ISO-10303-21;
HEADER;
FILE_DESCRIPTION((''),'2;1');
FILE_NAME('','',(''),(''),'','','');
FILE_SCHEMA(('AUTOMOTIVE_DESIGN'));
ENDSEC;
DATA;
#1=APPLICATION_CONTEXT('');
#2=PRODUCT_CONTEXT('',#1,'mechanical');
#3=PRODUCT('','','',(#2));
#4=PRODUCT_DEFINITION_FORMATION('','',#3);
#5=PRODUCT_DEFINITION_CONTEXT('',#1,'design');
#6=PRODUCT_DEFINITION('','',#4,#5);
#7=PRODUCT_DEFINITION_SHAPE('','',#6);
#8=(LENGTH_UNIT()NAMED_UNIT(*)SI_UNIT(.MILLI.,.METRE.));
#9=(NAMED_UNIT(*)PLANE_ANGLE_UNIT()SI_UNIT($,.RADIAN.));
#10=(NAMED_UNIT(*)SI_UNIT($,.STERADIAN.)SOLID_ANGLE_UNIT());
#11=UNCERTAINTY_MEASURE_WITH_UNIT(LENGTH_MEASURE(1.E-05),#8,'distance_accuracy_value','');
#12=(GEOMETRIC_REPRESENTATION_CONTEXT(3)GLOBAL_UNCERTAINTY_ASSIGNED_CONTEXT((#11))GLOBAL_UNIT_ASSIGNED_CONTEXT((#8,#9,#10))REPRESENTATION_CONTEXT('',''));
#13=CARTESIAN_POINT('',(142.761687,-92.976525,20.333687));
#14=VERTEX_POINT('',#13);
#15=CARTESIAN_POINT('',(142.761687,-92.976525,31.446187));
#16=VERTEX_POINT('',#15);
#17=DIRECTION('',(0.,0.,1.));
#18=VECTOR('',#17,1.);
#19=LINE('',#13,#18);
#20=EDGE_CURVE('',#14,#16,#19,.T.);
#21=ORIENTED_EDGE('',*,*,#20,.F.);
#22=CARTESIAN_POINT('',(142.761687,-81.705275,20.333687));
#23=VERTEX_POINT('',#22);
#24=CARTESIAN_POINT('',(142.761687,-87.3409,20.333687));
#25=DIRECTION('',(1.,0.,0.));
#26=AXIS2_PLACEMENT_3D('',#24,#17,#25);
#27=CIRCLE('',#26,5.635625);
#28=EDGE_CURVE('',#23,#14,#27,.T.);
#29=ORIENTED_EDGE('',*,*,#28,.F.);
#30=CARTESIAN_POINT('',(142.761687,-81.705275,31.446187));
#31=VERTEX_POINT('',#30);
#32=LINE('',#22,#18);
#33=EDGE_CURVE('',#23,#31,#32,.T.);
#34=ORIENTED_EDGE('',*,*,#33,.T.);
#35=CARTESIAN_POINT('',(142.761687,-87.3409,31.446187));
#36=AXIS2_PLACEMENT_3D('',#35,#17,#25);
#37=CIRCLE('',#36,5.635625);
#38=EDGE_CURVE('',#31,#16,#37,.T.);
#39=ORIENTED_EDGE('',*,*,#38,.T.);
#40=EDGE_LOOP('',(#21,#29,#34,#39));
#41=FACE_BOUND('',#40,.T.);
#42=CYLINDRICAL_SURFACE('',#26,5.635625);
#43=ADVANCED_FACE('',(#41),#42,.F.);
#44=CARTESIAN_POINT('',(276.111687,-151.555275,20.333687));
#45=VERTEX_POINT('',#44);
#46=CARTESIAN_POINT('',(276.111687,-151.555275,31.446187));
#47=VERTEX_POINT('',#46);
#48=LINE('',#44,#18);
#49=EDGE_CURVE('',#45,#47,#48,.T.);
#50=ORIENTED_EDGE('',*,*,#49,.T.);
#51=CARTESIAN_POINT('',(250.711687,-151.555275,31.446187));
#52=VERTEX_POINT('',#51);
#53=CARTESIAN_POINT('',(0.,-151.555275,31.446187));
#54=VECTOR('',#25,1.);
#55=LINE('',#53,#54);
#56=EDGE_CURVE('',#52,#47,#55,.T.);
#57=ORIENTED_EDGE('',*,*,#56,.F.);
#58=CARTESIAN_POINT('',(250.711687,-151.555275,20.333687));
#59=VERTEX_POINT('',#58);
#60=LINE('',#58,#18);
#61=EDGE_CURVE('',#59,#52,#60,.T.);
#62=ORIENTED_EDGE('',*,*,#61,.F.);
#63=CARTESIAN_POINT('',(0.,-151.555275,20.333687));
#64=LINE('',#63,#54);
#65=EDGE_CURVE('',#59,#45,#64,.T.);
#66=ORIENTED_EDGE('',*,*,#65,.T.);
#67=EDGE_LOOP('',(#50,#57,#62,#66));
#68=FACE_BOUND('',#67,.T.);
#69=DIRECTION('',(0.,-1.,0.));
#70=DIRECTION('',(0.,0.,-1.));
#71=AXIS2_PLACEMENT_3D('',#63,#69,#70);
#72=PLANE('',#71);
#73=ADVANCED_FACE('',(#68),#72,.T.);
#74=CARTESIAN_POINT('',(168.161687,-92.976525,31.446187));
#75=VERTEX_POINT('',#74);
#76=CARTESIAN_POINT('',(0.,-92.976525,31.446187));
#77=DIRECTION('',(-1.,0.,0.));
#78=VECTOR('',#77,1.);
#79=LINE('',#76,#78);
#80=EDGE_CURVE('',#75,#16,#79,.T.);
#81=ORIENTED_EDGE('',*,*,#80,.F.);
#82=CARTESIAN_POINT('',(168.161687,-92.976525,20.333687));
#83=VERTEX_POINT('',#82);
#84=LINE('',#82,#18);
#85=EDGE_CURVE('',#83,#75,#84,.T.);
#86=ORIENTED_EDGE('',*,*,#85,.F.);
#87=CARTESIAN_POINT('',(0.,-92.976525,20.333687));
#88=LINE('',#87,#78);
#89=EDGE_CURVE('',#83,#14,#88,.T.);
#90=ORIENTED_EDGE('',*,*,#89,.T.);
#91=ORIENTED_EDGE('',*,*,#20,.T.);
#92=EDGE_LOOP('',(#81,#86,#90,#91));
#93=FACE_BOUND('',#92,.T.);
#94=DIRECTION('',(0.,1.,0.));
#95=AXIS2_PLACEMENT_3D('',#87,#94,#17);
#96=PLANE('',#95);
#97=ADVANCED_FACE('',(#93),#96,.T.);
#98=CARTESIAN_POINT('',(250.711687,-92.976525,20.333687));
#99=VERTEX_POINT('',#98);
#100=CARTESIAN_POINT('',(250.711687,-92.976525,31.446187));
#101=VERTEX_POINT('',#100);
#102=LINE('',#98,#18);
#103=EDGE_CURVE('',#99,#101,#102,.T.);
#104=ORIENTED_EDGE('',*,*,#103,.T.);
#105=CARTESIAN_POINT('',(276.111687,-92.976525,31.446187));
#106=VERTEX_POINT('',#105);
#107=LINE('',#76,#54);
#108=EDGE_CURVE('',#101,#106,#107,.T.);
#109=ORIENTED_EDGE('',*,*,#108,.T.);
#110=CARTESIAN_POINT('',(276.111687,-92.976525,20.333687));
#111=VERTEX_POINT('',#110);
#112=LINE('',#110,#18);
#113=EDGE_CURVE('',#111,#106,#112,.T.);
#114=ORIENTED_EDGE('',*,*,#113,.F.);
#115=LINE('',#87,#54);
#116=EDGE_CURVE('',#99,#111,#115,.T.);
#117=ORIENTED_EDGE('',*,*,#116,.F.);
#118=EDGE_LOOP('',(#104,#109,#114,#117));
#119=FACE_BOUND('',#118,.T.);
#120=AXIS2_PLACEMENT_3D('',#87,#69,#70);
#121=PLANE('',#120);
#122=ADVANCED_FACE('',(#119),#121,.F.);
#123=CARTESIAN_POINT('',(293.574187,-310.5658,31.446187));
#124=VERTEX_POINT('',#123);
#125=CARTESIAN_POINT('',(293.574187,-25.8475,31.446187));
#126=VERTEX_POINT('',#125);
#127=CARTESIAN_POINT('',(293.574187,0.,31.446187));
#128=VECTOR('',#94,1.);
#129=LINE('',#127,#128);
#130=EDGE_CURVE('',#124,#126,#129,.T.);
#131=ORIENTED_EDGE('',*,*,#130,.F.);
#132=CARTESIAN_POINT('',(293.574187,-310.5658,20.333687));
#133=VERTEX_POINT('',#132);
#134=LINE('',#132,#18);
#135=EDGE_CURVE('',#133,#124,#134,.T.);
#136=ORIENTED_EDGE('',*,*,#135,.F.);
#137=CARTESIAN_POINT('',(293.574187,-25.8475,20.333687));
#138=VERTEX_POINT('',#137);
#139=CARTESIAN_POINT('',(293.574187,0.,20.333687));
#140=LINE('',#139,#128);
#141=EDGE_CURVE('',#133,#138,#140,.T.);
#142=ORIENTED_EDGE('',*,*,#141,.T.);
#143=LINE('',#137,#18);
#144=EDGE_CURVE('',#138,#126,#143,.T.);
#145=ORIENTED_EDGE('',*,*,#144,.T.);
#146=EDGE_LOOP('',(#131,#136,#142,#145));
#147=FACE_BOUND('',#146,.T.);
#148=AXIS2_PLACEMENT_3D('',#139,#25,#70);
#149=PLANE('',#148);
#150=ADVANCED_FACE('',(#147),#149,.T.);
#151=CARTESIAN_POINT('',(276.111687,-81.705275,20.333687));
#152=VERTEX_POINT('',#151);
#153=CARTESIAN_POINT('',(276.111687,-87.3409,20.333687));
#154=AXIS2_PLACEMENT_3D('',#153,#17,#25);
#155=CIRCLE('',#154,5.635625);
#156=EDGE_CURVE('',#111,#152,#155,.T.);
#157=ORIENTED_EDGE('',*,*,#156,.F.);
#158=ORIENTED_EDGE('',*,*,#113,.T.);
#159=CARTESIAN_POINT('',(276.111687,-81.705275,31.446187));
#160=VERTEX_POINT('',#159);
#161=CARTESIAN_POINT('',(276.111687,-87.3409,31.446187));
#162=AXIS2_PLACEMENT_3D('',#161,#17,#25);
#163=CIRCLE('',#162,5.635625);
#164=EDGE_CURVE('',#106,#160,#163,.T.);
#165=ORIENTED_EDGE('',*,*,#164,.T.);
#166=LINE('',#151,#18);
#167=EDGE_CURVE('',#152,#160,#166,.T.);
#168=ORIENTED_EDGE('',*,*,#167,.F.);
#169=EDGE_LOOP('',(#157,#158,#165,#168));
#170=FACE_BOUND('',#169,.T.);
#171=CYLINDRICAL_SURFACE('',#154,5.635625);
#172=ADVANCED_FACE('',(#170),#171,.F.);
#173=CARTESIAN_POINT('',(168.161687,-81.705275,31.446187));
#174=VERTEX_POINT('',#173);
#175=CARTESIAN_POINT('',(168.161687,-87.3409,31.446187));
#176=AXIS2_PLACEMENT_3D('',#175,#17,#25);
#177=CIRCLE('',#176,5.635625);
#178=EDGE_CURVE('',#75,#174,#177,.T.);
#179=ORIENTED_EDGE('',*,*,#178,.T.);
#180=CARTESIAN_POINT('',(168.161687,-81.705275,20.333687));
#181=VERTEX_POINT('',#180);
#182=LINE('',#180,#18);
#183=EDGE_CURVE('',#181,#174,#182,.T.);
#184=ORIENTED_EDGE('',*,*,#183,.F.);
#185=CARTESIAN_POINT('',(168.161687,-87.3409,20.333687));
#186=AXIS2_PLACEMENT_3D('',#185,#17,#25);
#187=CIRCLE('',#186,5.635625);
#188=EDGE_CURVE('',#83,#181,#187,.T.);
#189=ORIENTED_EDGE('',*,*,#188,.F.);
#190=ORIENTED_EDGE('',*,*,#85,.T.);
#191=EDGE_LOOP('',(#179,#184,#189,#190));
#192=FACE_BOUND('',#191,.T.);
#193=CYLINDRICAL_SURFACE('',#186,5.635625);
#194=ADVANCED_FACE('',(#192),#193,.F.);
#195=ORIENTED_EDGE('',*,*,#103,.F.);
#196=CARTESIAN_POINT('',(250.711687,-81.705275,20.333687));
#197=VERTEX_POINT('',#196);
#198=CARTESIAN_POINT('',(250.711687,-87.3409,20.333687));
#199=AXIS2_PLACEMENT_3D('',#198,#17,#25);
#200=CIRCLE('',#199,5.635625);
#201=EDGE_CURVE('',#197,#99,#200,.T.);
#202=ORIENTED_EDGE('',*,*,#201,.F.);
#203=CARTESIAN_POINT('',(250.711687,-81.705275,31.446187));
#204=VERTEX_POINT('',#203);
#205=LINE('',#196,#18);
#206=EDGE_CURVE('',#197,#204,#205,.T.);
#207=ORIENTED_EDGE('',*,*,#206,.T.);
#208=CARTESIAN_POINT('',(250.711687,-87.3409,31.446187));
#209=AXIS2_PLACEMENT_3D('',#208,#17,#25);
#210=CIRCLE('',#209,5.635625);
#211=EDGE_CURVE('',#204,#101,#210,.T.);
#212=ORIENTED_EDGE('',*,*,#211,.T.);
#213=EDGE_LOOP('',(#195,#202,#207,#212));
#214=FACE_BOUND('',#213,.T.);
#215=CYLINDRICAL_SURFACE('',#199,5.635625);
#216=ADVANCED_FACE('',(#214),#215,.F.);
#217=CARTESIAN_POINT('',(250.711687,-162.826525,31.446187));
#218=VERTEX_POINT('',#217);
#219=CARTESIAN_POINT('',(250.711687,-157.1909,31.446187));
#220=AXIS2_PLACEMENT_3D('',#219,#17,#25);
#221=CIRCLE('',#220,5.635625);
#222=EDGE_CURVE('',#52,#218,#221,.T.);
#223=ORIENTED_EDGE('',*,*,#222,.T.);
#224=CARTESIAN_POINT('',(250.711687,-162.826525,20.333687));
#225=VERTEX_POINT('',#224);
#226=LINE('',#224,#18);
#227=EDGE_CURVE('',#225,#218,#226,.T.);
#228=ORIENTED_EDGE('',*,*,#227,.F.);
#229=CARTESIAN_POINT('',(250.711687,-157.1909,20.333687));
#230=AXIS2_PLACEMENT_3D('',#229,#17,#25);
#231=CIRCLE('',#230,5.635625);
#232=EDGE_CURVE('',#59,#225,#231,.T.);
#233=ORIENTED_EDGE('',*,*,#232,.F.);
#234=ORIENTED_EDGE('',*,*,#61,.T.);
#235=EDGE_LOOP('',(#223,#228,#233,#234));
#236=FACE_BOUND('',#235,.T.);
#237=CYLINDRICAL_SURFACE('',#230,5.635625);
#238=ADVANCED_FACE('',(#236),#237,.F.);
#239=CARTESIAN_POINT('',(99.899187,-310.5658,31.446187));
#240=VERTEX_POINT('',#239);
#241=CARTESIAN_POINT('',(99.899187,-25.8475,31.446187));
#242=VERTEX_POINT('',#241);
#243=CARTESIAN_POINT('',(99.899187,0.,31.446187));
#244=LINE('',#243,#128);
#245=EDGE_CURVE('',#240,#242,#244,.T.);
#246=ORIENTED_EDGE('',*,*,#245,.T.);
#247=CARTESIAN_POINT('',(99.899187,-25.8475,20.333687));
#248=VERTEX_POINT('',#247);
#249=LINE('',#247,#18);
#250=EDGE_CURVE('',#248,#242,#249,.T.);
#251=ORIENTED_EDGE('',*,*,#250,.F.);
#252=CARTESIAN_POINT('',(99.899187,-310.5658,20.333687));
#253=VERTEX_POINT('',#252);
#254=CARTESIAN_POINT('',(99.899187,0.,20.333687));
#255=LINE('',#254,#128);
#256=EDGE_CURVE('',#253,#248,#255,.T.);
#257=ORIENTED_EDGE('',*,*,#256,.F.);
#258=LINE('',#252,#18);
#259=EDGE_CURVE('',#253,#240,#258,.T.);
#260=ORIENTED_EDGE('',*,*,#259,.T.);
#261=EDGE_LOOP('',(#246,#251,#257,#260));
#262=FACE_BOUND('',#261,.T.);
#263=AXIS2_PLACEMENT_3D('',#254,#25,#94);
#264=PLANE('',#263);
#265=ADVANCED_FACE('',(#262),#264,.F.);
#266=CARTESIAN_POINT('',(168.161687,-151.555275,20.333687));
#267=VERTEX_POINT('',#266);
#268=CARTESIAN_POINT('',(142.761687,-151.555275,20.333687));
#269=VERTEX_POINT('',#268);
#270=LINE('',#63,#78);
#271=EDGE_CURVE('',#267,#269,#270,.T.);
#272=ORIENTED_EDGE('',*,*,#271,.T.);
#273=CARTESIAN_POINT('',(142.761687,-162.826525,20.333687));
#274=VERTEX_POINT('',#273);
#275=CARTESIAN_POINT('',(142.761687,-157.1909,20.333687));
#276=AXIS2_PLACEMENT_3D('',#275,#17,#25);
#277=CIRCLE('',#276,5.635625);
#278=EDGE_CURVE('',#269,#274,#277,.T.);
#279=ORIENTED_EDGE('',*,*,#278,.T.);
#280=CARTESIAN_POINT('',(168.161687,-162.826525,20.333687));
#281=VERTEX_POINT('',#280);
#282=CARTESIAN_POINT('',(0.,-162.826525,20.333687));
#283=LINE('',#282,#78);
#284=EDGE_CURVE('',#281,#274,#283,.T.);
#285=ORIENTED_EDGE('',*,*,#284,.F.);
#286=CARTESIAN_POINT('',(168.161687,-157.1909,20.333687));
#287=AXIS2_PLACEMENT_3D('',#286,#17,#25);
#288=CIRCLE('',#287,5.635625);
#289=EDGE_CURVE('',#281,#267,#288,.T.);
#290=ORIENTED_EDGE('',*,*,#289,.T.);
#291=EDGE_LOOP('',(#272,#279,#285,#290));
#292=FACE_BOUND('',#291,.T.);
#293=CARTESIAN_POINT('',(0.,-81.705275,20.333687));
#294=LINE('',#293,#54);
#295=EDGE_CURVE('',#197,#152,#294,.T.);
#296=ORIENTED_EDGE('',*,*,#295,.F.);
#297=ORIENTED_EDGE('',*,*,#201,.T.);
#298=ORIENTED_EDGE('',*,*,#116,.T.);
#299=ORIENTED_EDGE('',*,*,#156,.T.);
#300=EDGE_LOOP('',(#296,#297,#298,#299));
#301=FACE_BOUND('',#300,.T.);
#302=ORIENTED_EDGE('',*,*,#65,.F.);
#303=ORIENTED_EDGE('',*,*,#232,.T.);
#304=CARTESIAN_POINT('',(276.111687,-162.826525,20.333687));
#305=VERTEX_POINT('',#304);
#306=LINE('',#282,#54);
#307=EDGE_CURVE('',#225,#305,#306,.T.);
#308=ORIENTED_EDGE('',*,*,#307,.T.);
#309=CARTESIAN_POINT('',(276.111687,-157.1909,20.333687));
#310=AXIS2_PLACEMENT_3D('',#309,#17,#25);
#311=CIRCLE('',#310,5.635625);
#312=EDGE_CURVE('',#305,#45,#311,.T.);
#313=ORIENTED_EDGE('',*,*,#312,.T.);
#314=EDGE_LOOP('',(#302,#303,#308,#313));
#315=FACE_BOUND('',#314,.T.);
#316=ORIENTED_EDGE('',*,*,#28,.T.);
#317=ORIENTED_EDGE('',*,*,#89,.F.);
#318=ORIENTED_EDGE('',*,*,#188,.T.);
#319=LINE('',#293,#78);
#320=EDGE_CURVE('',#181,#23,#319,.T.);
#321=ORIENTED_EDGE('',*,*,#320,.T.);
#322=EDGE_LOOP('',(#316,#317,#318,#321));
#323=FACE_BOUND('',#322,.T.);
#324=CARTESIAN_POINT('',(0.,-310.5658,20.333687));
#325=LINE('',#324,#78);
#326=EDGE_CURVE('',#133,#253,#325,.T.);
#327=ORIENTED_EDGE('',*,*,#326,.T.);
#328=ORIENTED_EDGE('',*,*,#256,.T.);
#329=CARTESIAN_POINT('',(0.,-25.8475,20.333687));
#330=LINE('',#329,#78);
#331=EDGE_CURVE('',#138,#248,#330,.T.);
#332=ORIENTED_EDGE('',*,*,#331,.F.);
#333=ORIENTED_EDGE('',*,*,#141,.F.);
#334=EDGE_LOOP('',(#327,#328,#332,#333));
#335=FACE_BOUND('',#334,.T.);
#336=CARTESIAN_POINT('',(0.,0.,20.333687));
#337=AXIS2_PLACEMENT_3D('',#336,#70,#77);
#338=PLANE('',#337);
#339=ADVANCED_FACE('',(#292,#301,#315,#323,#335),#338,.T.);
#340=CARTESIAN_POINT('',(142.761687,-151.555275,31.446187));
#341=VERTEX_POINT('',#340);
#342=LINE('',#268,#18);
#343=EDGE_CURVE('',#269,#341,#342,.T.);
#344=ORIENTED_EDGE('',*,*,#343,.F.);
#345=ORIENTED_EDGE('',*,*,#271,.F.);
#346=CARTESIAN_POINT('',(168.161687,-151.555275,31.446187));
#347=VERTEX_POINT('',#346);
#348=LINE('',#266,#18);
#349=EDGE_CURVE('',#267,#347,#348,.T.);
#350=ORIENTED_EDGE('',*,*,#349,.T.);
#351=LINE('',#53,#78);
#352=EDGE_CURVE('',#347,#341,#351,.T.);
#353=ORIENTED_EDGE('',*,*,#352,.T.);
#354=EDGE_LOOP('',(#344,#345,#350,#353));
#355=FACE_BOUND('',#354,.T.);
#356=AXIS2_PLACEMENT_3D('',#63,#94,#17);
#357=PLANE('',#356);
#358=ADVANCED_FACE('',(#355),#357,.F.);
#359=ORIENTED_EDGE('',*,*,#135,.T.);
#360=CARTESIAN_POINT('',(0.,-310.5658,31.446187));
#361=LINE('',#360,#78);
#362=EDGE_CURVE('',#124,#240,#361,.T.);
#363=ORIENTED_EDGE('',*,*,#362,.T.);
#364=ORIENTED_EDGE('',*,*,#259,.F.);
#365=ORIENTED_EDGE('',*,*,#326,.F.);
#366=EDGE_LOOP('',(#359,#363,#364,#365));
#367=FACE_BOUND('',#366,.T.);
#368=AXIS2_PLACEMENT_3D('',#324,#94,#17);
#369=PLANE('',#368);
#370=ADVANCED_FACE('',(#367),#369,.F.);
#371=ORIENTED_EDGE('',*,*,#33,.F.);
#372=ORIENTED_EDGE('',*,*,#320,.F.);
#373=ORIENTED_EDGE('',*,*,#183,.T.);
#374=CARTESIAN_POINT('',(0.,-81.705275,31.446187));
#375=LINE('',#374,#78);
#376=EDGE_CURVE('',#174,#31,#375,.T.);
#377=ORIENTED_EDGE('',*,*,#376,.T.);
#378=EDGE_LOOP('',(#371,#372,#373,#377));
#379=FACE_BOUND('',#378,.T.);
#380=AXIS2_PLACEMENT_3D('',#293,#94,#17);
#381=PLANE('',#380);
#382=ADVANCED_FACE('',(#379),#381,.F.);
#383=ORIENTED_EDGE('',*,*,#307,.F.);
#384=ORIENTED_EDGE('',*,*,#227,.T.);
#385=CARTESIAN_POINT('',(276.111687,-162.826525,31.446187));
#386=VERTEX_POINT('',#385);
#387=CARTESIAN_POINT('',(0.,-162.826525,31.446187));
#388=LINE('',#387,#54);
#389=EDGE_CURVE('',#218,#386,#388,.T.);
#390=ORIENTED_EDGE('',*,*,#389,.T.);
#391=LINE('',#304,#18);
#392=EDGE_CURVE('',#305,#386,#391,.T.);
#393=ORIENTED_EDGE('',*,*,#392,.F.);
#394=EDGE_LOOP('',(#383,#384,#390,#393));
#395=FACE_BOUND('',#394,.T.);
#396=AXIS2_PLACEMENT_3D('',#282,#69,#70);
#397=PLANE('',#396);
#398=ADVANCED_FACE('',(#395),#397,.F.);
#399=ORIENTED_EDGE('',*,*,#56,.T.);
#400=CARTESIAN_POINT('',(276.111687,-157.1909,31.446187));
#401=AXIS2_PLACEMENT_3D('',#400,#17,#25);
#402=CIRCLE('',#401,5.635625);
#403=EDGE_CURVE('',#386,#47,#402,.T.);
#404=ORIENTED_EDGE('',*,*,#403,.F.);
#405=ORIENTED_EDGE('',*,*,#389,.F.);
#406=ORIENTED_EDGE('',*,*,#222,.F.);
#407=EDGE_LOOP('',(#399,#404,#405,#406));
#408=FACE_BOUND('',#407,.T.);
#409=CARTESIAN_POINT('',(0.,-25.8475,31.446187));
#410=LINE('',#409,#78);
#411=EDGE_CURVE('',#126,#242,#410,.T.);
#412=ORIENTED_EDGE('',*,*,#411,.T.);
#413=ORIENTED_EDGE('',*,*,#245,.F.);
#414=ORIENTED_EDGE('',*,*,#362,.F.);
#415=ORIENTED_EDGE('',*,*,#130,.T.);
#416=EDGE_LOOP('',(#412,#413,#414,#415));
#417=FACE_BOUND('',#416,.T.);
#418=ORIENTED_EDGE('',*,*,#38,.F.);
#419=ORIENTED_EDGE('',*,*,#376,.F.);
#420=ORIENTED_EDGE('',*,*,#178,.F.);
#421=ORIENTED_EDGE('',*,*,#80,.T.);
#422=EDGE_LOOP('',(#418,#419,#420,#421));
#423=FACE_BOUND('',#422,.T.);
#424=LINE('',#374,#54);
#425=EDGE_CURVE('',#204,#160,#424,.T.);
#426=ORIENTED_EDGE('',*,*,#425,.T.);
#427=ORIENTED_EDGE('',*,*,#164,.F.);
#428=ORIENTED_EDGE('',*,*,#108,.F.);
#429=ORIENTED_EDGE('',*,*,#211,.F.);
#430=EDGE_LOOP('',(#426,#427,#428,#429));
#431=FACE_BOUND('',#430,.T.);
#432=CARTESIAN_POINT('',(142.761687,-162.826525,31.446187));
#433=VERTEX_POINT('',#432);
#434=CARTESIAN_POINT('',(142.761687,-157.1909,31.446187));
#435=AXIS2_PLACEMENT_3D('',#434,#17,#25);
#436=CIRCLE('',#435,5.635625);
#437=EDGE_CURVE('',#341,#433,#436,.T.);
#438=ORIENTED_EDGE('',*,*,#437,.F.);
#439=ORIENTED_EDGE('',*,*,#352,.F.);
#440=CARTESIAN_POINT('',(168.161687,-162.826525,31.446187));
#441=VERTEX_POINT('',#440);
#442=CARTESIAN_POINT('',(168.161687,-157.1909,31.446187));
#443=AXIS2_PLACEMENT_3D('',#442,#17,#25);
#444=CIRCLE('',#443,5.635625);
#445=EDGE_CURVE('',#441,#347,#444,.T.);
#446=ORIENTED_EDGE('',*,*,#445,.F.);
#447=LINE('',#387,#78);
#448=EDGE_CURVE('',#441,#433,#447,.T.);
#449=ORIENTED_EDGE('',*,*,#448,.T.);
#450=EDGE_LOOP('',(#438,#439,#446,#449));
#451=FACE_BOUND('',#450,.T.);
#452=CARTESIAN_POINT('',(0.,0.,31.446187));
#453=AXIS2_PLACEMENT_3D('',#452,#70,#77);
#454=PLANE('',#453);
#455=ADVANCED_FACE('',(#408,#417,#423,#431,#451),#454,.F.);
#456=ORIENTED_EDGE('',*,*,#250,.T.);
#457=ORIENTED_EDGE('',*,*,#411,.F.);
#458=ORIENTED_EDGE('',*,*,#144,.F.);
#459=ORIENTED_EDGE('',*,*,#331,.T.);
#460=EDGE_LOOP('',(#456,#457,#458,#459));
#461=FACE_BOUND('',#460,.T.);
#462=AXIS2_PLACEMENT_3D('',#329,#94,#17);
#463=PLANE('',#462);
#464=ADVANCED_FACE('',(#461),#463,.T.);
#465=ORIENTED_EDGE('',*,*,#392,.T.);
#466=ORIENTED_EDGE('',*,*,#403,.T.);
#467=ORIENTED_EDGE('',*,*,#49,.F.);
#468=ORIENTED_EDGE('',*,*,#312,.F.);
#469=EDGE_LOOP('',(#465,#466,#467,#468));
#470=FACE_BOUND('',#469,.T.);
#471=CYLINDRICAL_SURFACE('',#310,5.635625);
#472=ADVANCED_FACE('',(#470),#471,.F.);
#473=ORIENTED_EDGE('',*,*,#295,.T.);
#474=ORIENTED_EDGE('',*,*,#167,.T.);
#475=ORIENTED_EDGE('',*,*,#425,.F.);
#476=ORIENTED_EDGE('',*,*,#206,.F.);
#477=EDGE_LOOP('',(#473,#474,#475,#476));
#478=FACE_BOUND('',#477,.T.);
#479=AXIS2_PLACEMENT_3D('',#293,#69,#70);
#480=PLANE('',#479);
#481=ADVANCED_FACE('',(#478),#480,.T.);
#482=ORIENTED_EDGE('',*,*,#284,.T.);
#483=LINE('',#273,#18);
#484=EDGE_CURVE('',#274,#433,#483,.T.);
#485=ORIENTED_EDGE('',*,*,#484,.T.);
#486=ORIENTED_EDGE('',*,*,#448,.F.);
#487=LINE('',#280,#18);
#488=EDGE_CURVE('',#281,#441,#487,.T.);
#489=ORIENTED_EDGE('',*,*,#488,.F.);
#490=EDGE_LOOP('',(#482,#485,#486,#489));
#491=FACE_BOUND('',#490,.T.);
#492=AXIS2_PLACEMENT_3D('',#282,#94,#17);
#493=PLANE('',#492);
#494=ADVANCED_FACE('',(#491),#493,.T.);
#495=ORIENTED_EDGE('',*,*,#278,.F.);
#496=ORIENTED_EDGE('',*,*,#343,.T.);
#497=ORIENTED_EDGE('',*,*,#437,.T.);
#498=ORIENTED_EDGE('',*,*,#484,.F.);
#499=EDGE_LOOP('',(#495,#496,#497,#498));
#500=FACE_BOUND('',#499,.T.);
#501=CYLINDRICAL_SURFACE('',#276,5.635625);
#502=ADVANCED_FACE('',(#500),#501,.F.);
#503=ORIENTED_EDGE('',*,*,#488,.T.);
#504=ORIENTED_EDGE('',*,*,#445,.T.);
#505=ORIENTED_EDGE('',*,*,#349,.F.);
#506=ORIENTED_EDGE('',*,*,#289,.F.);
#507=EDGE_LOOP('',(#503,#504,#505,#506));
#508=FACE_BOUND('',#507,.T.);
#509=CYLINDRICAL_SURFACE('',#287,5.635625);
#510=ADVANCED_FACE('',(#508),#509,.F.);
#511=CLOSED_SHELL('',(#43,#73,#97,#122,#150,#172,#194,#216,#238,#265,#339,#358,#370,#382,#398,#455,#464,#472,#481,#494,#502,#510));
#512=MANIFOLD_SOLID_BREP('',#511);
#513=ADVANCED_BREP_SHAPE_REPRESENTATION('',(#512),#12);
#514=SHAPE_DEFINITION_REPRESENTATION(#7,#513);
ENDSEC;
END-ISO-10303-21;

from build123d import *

# Parameters (mm, degrees)
BOSS_EXTRUDE1_START = 20.333687
BOSS_EXTRUDE1_DEPTH = 11.1125


with BuildPart() as part:
    # Sketch1 → Boss-Extrude1 (new body)
    with BuildSketch(Plane.XY.offset(BOSS_EXTRUDE1_START)):
        Polygon((293.574186737, -297.8658), (293.574186737, -310.5658), (99.899186737, -310.5658), (99.899186737, -297.8658), (99.899186737, -25.8475), (293.574186737, -25.8475), align=None)
        with BuildLine():
            ThreePointArc((250.711686737, -151.555275), (245.076061737, -157.1909), (250.711686737, -162.826525))
            Line((250.711686737, -162.826525), (276.111686737, -162.826525))
            ThreePointArc((276.111686737, -162.826525), (281.747311737, -157.1909), (276.111686737, -151.555275))
            Line((276.111686737, -151.555275), (250.711686737, -151.555275))
        make_face(mode=Mode.SUBTRACT)
        with BuildLine():
            ThreePointArc((250.711686737, -81.705275), (245.076061737, -87.3409), (250.711686737, -92.976525))
            Line((250.711686737, -92.976525), (276.111686737, -92.976525))
            ThreePointArc((276.111686737, -92.976525), (281.747311737, -87.3409), (276.111686737, -81.705275))
            Line((276.111686737, -81.705275), (250.711686737, -81.705275))
        make_face(mode=Mode.SUBTRACT)
        with BuildLine():
            ThreePointArc((168.161686737, -92.976525), (173.797311737, -87.3409), (168.161686737, -81.705275))
            Line((168.161686737, -81.705275), (142.761686737, -81.705275))
            ThreePointArc((142.761686737, -81.705275), (137.126061737, -87.3409), (142.761686737, -92.976525))
            Line((142.761686737, -92.976525), (168.161686737, -92.976525))
        make_face(mode=Mode.SUBTRACT)
        with BuildLine():
            ThreePointArc((142.761686737, -151.555275), (137.126061737, -157.1909), (142.761686737, -162.826525))
            Line((142.761686737, -162.826525), (168.161686737, -162.826525))
            ThreePointArc((168.161686737, -162.826525), (173.797311737, -157.1909), (168.161686737, -151.555275))
            Line((168.161686737, -151.555275), (142.761686737, -151.555275))
        make_face(mode=Mode.SUBTRACT)
    extrude(amount=BOSS_EXTRUDE1_DEPTH)


solid = part.part
